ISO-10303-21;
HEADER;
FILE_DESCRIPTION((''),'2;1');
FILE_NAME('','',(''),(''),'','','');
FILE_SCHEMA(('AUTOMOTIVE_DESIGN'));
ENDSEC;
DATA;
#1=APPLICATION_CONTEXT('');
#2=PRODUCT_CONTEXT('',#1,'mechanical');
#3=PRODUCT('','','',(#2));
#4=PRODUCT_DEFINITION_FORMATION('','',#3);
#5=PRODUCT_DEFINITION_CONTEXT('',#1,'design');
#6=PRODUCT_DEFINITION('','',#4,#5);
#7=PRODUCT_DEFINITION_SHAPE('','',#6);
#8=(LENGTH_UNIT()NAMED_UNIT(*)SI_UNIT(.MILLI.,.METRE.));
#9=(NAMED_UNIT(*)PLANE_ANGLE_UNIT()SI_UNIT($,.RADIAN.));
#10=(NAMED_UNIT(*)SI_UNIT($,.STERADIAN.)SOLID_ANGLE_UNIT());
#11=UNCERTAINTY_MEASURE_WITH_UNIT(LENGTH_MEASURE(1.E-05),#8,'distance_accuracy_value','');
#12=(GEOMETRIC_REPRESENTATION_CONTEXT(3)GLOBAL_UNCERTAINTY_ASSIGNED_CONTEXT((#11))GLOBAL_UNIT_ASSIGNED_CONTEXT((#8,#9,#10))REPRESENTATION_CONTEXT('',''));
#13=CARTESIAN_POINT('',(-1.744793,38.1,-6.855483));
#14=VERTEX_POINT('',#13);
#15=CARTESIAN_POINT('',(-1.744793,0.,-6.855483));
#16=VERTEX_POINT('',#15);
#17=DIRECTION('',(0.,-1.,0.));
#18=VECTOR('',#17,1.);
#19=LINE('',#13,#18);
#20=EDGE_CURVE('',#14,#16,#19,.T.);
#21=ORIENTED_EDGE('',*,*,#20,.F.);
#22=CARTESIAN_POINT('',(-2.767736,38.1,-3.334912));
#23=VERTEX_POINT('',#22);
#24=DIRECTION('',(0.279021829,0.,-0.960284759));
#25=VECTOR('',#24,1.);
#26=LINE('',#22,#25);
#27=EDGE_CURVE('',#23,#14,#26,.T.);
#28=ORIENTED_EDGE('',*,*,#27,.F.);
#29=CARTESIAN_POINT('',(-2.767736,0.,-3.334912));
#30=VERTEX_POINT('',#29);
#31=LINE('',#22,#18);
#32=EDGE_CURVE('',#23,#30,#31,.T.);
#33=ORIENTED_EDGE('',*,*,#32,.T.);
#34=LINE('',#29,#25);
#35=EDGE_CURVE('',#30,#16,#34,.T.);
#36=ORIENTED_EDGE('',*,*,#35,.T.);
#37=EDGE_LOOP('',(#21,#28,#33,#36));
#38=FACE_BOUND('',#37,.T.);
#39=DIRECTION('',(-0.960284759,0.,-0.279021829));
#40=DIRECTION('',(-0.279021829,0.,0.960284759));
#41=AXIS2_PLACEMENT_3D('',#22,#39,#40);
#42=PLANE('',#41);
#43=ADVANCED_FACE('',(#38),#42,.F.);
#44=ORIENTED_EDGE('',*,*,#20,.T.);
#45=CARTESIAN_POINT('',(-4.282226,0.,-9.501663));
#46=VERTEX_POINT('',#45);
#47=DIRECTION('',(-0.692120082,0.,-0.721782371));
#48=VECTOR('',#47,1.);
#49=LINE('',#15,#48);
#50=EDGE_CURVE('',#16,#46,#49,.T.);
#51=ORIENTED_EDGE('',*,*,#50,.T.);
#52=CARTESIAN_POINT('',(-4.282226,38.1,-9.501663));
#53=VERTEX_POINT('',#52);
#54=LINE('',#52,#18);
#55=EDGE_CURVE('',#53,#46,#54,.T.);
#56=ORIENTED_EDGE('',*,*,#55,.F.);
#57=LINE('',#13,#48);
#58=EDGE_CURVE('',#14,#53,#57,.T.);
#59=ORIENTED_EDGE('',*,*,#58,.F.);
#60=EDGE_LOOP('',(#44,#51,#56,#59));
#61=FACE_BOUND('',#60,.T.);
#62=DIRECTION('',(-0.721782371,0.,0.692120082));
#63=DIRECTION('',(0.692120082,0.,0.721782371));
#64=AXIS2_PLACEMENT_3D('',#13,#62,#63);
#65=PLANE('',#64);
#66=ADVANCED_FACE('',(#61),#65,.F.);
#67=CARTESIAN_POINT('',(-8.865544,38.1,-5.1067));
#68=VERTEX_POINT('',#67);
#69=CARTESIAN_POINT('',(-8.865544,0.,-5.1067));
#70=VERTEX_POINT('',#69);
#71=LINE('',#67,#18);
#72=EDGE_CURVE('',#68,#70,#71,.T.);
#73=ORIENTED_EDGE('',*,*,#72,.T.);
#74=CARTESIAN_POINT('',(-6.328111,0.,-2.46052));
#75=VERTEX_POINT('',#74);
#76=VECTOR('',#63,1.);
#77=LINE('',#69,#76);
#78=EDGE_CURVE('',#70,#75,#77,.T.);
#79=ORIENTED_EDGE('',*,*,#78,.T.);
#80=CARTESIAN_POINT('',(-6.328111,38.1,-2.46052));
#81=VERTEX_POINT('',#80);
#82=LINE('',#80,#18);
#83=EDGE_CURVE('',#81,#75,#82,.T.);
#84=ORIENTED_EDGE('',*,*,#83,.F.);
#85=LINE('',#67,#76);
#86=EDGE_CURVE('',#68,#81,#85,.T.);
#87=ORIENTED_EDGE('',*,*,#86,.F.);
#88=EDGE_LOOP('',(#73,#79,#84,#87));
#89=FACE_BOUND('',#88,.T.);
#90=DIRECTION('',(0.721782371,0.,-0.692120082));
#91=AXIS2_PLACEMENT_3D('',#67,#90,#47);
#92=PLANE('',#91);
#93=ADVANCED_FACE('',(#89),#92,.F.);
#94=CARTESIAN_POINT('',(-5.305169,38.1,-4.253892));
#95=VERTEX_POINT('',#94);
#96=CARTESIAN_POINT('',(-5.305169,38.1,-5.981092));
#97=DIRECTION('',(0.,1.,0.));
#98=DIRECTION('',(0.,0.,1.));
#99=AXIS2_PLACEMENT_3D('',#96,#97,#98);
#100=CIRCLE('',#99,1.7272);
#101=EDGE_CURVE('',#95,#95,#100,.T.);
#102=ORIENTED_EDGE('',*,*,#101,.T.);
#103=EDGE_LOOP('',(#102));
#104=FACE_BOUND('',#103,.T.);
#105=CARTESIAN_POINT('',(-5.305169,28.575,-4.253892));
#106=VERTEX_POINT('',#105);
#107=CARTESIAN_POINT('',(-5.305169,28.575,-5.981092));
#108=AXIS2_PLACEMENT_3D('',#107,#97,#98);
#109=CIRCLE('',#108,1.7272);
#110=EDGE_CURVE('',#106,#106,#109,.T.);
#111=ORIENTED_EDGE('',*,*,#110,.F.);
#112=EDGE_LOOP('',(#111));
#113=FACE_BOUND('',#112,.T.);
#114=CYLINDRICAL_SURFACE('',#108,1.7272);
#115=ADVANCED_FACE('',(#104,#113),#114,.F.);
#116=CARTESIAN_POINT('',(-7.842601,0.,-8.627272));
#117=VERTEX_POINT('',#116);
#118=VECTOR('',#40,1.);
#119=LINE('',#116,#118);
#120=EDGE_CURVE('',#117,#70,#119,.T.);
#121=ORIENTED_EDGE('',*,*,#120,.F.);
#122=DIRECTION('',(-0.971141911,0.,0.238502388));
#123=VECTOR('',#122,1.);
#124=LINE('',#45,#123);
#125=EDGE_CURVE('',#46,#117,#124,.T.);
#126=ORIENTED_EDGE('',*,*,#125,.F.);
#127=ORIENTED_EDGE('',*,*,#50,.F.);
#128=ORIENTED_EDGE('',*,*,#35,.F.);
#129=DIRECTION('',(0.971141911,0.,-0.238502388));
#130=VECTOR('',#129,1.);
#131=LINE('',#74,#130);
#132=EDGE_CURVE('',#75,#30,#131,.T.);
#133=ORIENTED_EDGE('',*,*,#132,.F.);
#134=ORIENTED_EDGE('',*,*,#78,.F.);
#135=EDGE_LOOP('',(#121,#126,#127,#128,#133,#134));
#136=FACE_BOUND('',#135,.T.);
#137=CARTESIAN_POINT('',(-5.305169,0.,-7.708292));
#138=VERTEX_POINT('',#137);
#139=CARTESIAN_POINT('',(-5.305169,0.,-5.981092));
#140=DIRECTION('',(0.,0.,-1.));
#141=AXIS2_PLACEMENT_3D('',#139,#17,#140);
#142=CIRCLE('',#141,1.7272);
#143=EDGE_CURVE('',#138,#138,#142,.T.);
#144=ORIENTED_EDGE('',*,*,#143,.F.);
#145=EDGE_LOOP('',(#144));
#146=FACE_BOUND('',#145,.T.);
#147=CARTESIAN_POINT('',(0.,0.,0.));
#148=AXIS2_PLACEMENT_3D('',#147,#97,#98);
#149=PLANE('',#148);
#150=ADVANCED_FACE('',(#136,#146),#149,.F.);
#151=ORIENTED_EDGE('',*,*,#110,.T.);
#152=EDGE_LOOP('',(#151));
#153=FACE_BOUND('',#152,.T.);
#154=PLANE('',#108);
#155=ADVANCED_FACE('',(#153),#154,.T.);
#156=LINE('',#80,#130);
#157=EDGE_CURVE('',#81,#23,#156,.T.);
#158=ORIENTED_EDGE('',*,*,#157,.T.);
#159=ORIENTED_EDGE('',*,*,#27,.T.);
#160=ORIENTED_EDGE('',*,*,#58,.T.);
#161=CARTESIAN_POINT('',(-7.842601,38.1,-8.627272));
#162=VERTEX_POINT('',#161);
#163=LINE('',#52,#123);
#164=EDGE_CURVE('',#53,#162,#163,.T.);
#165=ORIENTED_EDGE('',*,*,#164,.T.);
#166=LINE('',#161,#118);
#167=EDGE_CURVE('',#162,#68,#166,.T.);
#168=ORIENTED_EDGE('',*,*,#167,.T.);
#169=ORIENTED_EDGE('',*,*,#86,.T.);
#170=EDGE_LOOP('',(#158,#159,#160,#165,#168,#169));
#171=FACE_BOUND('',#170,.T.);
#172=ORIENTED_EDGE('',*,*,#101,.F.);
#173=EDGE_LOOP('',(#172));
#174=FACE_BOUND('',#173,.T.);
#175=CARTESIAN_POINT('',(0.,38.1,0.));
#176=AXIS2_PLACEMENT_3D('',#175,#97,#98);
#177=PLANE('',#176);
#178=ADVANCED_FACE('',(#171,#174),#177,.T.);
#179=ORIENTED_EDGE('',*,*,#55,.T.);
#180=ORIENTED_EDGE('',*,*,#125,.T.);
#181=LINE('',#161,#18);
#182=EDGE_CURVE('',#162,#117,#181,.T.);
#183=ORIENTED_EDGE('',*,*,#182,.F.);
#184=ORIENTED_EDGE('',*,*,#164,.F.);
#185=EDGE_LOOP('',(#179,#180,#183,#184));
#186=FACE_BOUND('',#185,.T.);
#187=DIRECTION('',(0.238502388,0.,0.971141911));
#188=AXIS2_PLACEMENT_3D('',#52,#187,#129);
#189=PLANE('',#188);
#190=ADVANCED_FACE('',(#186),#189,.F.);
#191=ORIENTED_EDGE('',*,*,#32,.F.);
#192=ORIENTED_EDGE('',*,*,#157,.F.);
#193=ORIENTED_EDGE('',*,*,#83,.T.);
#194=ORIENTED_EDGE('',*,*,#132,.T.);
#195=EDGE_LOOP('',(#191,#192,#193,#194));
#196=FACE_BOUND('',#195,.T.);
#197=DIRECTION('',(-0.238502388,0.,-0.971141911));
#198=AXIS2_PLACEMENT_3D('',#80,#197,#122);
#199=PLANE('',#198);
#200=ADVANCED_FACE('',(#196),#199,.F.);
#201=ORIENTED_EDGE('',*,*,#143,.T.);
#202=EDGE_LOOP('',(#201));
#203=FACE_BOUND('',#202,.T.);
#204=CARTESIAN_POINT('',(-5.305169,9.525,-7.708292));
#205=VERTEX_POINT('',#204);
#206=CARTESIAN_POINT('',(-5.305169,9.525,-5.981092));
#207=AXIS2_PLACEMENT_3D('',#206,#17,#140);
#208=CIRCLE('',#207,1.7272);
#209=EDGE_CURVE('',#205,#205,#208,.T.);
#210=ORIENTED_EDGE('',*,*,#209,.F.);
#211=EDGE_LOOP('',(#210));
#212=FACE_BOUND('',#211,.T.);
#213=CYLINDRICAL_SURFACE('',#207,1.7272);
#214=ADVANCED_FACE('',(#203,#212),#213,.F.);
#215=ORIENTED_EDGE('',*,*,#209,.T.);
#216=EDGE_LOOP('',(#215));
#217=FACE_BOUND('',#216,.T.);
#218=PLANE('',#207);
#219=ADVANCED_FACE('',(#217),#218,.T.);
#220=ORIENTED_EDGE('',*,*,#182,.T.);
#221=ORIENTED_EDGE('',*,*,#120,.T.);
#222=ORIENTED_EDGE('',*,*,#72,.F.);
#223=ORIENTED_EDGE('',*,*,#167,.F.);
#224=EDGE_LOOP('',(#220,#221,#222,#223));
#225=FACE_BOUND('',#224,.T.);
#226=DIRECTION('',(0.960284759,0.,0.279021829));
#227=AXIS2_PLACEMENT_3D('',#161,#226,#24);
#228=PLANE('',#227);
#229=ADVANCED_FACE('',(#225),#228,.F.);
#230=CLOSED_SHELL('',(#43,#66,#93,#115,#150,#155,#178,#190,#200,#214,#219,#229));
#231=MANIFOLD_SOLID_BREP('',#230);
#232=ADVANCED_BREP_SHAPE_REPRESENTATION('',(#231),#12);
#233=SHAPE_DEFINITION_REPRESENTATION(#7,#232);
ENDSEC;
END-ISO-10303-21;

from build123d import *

# Parameters (mm, degrees)
BOSS_EXTRUDE1_DEPTH = 38.1
SKETCH2_R           = 1.7272
CUT_EXTRUDE1_DEPTH  = 9.525
SKETCH3_R           = 1.7272
CUT_EXTRUDE2_DEPTH  = 9.525


with BuildPart() as part:
    # Sketch1 → Boss-Extrude1 (new body)
    with BuildSketch(Plane(origin=(0, 0, 0), x_dir=(1, 0, 0), z_dir=(0, 1, 0))):
        Polygon((-2.767735883, 3.334911674), (-1.744793251, 6.855482892), (-4.282226046, 9.501662807), (-7.842601473, 8.627271504), (-8.865544105, 5.106700285), (-6.32811131, 2.46052037), align=None)
    extrude(amount=BOSS_EXTRUDE1_DEPTH)

    # Sketch2 → Cut-Extrude1 (cut)
    with BuildSketch(Plane(origin=(0, 38.1, 0), x_dir=(1, 0, 0), z_dir=(0, 1, 0))):
        with Locations((-5.305168678, 5.981091589)):
            Circle(SKETCH2_R)
    extrude(amount=-CUT_EXTRUDE1_DEPTH, mode=Mode.SUBTRACT)

    # Sketch3 → Cut-Extrude2 (cut)
    with BuildSketch(Plane.XZ):
        with Locations((-5.305168678, -5.981091589)):
            Circle(SKETCH3_R)
    extrude(amount=-CUT_EXTRUDE2_DEPTH, mode=Mode.SUBTRACT)


solid = part.part
